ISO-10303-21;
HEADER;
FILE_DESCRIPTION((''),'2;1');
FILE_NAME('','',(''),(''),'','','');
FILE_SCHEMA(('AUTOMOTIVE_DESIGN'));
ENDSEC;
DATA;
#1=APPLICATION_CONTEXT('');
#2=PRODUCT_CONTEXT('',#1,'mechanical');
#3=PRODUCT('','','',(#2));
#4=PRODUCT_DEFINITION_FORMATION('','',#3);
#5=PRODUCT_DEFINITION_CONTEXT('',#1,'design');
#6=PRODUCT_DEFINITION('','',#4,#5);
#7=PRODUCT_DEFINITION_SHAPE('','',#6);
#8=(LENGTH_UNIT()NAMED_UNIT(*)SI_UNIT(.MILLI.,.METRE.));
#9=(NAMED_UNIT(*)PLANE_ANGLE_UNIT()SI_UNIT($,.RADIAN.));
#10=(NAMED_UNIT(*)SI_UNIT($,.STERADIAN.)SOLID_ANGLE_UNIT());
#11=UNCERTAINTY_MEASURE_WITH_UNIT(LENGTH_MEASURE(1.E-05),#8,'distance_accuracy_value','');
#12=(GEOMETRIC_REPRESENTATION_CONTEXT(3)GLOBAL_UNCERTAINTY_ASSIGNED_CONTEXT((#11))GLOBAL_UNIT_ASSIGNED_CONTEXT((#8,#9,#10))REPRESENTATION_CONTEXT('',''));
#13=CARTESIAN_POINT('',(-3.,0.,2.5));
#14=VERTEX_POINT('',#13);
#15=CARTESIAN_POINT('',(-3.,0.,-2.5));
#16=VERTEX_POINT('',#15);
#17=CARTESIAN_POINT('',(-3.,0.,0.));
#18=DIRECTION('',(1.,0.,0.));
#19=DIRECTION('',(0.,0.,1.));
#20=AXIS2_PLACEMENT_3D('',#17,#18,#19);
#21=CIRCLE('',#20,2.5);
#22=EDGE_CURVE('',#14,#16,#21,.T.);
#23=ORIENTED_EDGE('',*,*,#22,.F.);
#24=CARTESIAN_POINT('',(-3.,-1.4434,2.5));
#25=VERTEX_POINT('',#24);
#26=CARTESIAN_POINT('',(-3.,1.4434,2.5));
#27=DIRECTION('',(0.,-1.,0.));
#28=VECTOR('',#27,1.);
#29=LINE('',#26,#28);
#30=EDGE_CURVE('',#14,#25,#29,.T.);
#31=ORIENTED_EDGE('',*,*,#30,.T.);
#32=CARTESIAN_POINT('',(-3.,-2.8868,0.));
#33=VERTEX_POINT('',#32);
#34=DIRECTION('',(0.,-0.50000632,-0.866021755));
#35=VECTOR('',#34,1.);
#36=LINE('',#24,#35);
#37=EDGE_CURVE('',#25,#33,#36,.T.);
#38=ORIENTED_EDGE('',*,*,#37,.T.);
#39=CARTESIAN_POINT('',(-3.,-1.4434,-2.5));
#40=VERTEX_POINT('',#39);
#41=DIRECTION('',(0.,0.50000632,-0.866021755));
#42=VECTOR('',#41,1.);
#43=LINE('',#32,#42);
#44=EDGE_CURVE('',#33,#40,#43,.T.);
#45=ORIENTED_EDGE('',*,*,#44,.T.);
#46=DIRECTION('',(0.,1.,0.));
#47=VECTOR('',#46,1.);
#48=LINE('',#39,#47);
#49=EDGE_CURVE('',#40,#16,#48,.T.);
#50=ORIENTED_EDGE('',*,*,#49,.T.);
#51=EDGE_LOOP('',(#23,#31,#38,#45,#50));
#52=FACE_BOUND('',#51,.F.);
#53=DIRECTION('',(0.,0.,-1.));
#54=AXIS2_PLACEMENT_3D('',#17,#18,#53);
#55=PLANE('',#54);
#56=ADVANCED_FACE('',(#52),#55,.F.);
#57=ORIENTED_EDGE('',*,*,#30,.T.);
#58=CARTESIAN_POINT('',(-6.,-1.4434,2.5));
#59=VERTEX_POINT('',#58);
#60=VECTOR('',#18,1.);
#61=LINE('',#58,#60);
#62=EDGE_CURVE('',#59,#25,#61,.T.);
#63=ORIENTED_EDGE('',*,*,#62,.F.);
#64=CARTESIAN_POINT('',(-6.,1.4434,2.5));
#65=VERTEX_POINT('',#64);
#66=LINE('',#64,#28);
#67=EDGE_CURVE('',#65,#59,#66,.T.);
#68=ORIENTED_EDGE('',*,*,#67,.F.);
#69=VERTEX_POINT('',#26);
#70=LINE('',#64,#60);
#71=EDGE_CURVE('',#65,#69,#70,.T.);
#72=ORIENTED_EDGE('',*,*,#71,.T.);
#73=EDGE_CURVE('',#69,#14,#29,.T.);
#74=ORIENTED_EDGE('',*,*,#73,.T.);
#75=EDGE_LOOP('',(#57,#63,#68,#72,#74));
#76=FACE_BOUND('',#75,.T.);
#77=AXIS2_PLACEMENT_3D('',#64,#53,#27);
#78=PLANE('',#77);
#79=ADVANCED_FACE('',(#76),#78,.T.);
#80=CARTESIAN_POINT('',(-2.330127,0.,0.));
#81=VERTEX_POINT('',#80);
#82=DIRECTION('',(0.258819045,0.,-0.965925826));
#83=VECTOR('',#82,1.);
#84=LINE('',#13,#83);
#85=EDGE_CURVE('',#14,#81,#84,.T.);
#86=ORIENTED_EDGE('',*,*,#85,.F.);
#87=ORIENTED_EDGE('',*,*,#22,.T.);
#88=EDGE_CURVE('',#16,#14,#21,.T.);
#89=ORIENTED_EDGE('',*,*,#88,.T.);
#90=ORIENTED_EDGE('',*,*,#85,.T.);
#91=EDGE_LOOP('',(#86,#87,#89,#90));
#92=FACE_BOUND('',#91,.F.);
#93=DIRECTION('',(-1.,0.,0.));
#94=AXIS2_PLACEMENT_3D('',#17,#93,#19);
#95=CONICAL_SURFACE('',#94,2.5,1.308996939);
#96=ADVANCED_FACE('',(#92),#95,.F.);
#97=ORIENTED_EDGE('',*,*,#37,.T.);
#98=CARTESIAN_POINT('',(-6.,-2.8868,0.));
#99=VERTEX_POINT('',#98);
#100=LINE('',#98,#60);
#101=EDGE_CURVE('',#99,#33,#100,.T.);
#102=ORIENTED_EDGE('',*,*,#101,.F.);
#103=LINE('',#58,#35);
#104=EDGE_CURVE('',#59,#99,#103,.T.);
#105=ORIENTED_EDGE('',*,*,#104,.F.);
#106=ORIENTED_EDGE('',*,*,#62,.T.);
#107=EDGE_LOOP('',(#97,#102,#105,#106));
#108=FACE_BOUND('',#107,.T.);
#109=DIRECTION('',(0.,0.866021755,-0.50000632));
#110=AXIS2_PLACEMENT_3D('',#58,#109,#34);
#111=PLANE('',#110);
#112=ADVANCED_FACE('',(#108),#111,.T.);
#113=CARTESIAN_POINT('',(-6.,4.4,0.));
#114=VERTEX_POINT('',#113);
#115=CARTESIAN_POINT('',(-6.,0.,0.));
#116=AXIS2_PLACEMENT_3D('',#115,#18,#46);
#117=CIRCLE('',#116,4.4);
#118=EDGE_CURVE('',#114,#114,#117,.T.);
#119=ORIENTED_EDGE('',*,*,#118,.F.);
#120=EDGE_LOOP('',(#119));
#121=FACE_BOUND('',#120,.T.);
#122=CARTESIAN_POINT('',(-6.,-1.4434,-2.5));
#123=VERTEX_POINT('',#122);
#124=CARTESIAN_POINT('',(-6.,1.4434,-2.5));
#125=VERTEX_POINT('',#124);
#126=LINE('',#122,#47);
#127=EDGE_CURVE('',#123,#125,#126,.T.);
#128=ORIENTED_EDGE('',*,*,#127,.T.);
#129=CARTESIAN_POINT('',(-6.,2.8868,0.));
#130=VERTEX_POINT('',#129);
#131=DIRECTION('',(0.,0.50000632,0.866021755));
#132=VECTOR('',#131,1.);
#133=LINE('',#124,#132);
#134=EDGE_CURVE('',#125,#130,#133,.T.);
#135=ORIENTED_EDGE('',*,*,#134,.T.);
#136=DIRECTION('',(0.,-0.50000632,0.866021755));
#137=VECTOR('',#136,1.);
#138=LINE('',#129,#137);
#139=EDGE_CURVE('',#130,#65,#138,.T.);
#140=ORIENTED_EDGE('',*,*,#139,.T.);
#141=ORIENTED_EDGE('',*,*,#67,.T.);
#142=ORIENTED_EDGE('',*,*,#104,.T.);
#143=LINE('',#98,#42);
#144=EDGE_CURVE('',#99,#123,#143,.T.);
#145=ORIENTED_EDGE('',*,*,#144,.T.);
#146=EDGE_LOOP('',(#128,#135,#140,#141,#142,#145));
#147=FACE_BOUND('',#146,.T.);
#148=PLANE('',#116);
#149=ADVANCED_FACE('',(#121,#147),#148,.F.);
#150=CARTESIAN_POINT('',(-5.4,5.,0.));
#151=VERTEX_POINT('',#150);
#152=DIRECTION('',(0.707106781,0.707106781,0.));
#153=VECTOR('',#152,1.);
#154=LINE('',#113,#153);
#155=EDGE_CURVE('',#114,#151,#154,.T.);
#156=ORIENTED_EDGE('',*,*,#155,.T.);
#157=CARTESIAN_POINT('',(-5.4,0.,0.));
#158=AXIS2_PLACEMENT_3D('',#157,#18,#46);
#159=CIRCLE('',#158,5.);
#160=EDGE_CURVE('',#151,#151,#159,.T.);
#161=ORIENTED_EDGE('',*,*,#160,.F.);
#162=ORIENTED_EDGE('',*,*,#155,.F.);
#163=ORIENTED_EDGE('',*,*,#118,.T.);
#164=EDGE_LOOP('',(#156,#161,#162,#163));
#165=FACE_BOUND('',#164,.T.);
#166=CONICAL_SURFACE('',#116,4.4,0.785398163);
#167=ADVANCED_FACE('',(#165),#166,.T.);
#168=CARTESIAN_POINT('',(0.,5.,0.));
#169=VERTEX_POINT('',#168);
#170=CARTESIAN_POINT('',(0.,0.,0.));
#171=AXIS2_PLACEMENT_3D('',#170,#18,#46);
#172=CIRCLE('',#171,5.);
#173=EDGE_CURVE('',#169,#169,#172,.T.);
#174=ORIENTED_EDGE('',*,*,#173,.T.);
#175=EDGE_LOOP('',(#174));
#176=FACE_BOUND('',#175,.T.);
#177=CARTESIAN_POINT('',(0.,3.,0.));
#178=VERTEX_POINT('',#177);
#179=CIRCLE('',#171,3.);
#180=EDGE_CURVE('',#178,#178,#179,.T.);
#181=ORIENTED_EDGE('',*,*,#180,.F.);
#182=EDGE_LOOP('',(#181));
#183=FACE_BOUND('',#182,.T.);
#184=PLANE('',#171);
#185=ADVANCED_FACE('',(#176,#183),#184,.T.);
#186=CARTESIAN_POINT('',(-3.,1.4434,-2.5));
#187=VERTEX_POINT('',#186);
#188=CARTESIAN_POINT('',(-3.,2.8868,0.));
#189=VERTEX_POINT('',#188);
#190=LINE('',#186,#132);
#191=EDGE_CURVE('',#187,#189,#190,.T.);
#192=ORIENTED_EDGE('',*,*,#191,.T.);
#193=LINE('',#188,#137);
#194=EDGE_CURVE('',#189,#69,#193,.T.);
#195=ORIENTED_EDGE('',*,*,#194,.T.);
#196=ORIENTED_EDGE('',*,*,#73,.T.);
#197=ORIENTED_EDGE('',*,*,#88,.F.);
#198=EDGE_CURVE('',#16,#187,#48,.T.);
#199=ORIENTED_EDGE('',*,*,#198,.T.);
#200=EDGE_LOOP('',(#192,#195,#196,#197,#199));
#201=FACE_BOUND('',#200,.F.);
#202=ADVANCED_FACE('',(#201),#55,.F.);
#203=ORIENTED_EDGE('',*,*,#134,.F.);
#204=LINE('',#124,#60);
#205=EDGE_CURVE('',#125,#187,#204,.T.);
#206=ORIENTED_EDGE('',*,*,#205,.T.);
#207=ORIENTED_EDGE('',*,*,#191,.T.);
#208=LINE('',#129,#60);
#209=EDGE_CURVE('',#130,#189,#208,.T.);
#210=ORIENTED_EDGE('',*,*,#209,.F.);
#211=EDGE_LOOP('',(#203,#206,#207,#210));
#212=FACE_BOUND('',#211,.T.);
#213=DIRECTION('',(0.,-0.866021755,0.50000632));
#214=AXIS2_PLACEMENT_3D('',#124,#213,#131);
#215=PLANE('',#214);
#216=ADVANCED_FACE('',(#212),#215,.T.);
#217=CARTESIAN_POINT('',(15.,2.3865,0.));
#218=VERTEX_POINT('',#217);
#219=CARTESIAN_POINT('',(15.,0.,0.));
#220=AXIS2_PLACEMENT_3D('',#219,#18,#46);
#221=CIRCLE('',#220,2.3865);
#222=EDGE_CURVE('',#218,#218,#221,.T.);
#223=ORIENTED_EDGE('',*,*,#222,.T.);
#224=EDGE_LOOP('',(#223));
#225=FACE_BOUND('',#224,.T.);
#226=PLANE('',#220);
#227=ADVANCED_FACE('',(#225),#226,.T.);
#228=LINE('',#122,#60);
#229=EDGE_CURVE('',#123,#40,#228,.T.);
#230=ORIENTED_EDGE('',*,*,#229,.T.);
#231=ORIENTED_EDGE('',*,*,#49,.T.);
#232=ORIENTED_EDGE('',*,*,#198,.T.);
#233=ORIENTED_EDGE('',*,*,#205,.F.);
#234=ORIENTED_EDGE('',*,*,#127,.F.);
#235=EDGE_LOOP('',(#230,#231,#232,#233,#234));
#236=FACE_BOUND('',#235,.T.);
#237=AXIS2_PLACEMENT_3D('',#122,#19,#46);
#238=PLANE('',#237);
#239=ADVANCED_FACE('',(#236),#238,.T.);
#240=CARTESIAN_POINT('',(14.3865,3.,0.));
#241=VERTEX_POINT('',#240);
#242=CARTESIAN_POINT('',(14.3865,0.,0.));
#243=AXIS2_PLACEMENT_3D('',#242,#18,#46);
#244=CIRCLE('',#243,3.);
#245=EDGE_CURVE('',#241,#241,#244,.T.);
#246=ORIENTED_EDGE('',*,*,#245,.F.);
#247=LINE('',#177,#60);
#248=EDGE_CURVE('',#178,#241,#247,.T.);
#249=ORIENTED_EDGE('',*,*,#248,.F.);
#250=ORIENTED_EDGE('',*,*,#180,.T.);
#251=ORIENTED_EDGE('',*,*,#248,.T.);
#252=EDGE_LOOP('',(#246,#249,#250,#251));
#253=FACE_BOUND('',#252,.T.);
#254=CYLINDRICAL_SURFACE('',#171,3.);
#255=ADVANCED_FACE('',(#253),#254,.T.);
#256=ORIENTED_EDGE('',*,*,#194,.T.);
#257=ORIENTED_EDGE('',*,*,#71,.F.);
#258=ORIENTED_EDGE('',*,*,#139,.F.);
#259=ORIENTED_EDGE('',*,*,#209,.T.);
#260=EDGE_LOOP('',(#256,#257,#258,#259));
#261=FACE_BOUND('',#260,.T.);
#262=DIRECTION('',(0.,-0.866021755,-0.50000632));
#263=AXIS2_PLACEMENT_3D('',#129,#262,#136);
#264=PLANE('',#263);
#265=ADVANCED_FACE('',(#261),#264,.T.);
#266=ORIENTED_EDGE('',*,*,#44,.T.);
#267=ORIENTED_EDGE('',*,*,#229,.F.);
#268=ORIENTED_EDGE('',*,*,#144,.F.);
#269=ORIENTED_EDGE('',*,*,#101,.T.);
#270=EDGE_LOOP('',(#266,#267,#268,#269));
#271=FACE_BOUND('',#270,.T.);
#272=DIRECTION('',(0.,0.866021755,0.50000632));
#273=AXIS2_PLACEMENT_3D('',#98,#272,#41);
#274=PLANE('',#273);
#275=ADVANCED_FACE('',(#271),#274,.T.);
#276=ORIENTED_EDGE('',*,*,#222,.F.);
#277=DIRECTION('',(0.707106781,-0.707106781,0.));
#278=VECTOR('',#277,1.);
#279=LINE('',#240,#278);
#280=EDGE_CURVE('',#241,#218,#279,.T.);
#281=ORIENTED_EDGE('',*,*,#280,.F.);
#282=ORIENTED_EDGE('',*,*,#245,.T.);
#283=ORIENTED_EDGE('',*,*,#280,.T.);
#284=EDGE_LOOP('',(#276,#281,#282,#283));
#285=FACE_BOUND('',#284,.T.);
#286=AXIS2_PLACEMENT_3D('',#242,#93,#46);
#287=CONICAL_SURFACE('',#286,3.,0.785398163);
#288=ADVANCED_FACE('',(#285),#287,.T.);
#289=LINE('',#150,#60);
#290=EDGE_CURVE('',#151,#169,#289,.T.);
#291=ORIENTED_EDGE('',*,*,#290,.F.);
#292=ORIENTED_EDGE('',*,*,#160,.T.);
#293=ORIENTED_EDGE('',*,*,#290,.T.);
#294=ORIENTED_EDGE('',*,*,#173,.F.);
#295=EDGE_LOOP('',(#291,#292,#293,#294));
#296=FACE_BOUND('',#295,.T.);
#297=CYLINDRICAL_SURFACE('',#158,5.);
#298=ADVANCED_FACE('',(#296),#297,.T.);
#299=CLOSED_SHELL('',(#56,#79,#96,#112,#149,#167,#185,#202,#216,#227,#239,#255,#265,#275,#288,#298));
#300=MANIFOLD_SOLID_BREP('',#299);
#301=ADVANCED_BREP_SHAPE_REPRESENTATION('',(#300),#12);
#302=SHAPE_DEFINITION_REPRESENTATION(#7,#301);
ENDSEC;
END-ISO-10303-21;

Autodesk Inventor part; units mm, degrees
sketch "Sketch_1" plane through (0, 0, 0) normal (0, 0, 1) x (1, 0, 0)
  line L0 (15, 0) -> (-6, 0)
  line L1 (-6, 0) -> (-6, 4.4)
  line L2 (-6, 4.4) -> (-5.4, 5)
  line L3 (-5.4, 5) -> (0, 5)
  line L4 (0, 5) -> (0, 3)
  line L5 (0, 3) -> (14.3865, 3)
  line L6 (14.3865, 3) -> (15, 2.3865)
  line L7 (15, 2.3865) -> (15, 0)
  line L8 (15, 0) -> (-6, 0)
revolve "Revolution1" add sketch "Sketch_1" angle 360 about axis through (15, 0, 0) along (1, 0, 0)
thread "Thread1" size "M6x1" class "6g" standard "ISO Metric profile" length 13.3865
sketch "Sketch2" plane through (-6, 0, 0) normal (-1, 0, 0) x (0, 0, 1)
  point P0 (0, 0)
hole "Hole1" at (-6, 0, 0) direction (1, 0, 0) diameter 5 depth 3 tip angle 150
sketch "Sketch_3" plane through (-6, 0, 0) normal (1, 0, 0) x (0, 0, -1)
  line L0 (-2.5, -1.4434) -> (0, -2.8868)
  line L1 (0, -2.8868) -> (2.5, -1.4434)
  line L2 (2.5, -1.4434) -> (2.5, 1.4434)
  line L3 (2.5, 1.4434) -> (0, 2.8868)
  line L4 (0, 2.8868) -> (-2.5, 1.4434)
  line L5 (-2.5, 1.4434) -> (-2.5, -1.4434)
extrude "Extrusion1" cut sketch "Sketch_3" along normal blind 3
ref_plane "to_cp_XY" through (0, 0, 0) normal (1, 0, 0) x (0, 0, -1)
ref_plane "to_cp_YZ" through (0, 0, 0) normal (0, 0, -1) x (0, 1, 0)
ref_plane "to_cp_ZX" through (0, 0, 0) normal (0, 1, 0) x (1, 0, 0)
properties part number "BOLT6-15"
